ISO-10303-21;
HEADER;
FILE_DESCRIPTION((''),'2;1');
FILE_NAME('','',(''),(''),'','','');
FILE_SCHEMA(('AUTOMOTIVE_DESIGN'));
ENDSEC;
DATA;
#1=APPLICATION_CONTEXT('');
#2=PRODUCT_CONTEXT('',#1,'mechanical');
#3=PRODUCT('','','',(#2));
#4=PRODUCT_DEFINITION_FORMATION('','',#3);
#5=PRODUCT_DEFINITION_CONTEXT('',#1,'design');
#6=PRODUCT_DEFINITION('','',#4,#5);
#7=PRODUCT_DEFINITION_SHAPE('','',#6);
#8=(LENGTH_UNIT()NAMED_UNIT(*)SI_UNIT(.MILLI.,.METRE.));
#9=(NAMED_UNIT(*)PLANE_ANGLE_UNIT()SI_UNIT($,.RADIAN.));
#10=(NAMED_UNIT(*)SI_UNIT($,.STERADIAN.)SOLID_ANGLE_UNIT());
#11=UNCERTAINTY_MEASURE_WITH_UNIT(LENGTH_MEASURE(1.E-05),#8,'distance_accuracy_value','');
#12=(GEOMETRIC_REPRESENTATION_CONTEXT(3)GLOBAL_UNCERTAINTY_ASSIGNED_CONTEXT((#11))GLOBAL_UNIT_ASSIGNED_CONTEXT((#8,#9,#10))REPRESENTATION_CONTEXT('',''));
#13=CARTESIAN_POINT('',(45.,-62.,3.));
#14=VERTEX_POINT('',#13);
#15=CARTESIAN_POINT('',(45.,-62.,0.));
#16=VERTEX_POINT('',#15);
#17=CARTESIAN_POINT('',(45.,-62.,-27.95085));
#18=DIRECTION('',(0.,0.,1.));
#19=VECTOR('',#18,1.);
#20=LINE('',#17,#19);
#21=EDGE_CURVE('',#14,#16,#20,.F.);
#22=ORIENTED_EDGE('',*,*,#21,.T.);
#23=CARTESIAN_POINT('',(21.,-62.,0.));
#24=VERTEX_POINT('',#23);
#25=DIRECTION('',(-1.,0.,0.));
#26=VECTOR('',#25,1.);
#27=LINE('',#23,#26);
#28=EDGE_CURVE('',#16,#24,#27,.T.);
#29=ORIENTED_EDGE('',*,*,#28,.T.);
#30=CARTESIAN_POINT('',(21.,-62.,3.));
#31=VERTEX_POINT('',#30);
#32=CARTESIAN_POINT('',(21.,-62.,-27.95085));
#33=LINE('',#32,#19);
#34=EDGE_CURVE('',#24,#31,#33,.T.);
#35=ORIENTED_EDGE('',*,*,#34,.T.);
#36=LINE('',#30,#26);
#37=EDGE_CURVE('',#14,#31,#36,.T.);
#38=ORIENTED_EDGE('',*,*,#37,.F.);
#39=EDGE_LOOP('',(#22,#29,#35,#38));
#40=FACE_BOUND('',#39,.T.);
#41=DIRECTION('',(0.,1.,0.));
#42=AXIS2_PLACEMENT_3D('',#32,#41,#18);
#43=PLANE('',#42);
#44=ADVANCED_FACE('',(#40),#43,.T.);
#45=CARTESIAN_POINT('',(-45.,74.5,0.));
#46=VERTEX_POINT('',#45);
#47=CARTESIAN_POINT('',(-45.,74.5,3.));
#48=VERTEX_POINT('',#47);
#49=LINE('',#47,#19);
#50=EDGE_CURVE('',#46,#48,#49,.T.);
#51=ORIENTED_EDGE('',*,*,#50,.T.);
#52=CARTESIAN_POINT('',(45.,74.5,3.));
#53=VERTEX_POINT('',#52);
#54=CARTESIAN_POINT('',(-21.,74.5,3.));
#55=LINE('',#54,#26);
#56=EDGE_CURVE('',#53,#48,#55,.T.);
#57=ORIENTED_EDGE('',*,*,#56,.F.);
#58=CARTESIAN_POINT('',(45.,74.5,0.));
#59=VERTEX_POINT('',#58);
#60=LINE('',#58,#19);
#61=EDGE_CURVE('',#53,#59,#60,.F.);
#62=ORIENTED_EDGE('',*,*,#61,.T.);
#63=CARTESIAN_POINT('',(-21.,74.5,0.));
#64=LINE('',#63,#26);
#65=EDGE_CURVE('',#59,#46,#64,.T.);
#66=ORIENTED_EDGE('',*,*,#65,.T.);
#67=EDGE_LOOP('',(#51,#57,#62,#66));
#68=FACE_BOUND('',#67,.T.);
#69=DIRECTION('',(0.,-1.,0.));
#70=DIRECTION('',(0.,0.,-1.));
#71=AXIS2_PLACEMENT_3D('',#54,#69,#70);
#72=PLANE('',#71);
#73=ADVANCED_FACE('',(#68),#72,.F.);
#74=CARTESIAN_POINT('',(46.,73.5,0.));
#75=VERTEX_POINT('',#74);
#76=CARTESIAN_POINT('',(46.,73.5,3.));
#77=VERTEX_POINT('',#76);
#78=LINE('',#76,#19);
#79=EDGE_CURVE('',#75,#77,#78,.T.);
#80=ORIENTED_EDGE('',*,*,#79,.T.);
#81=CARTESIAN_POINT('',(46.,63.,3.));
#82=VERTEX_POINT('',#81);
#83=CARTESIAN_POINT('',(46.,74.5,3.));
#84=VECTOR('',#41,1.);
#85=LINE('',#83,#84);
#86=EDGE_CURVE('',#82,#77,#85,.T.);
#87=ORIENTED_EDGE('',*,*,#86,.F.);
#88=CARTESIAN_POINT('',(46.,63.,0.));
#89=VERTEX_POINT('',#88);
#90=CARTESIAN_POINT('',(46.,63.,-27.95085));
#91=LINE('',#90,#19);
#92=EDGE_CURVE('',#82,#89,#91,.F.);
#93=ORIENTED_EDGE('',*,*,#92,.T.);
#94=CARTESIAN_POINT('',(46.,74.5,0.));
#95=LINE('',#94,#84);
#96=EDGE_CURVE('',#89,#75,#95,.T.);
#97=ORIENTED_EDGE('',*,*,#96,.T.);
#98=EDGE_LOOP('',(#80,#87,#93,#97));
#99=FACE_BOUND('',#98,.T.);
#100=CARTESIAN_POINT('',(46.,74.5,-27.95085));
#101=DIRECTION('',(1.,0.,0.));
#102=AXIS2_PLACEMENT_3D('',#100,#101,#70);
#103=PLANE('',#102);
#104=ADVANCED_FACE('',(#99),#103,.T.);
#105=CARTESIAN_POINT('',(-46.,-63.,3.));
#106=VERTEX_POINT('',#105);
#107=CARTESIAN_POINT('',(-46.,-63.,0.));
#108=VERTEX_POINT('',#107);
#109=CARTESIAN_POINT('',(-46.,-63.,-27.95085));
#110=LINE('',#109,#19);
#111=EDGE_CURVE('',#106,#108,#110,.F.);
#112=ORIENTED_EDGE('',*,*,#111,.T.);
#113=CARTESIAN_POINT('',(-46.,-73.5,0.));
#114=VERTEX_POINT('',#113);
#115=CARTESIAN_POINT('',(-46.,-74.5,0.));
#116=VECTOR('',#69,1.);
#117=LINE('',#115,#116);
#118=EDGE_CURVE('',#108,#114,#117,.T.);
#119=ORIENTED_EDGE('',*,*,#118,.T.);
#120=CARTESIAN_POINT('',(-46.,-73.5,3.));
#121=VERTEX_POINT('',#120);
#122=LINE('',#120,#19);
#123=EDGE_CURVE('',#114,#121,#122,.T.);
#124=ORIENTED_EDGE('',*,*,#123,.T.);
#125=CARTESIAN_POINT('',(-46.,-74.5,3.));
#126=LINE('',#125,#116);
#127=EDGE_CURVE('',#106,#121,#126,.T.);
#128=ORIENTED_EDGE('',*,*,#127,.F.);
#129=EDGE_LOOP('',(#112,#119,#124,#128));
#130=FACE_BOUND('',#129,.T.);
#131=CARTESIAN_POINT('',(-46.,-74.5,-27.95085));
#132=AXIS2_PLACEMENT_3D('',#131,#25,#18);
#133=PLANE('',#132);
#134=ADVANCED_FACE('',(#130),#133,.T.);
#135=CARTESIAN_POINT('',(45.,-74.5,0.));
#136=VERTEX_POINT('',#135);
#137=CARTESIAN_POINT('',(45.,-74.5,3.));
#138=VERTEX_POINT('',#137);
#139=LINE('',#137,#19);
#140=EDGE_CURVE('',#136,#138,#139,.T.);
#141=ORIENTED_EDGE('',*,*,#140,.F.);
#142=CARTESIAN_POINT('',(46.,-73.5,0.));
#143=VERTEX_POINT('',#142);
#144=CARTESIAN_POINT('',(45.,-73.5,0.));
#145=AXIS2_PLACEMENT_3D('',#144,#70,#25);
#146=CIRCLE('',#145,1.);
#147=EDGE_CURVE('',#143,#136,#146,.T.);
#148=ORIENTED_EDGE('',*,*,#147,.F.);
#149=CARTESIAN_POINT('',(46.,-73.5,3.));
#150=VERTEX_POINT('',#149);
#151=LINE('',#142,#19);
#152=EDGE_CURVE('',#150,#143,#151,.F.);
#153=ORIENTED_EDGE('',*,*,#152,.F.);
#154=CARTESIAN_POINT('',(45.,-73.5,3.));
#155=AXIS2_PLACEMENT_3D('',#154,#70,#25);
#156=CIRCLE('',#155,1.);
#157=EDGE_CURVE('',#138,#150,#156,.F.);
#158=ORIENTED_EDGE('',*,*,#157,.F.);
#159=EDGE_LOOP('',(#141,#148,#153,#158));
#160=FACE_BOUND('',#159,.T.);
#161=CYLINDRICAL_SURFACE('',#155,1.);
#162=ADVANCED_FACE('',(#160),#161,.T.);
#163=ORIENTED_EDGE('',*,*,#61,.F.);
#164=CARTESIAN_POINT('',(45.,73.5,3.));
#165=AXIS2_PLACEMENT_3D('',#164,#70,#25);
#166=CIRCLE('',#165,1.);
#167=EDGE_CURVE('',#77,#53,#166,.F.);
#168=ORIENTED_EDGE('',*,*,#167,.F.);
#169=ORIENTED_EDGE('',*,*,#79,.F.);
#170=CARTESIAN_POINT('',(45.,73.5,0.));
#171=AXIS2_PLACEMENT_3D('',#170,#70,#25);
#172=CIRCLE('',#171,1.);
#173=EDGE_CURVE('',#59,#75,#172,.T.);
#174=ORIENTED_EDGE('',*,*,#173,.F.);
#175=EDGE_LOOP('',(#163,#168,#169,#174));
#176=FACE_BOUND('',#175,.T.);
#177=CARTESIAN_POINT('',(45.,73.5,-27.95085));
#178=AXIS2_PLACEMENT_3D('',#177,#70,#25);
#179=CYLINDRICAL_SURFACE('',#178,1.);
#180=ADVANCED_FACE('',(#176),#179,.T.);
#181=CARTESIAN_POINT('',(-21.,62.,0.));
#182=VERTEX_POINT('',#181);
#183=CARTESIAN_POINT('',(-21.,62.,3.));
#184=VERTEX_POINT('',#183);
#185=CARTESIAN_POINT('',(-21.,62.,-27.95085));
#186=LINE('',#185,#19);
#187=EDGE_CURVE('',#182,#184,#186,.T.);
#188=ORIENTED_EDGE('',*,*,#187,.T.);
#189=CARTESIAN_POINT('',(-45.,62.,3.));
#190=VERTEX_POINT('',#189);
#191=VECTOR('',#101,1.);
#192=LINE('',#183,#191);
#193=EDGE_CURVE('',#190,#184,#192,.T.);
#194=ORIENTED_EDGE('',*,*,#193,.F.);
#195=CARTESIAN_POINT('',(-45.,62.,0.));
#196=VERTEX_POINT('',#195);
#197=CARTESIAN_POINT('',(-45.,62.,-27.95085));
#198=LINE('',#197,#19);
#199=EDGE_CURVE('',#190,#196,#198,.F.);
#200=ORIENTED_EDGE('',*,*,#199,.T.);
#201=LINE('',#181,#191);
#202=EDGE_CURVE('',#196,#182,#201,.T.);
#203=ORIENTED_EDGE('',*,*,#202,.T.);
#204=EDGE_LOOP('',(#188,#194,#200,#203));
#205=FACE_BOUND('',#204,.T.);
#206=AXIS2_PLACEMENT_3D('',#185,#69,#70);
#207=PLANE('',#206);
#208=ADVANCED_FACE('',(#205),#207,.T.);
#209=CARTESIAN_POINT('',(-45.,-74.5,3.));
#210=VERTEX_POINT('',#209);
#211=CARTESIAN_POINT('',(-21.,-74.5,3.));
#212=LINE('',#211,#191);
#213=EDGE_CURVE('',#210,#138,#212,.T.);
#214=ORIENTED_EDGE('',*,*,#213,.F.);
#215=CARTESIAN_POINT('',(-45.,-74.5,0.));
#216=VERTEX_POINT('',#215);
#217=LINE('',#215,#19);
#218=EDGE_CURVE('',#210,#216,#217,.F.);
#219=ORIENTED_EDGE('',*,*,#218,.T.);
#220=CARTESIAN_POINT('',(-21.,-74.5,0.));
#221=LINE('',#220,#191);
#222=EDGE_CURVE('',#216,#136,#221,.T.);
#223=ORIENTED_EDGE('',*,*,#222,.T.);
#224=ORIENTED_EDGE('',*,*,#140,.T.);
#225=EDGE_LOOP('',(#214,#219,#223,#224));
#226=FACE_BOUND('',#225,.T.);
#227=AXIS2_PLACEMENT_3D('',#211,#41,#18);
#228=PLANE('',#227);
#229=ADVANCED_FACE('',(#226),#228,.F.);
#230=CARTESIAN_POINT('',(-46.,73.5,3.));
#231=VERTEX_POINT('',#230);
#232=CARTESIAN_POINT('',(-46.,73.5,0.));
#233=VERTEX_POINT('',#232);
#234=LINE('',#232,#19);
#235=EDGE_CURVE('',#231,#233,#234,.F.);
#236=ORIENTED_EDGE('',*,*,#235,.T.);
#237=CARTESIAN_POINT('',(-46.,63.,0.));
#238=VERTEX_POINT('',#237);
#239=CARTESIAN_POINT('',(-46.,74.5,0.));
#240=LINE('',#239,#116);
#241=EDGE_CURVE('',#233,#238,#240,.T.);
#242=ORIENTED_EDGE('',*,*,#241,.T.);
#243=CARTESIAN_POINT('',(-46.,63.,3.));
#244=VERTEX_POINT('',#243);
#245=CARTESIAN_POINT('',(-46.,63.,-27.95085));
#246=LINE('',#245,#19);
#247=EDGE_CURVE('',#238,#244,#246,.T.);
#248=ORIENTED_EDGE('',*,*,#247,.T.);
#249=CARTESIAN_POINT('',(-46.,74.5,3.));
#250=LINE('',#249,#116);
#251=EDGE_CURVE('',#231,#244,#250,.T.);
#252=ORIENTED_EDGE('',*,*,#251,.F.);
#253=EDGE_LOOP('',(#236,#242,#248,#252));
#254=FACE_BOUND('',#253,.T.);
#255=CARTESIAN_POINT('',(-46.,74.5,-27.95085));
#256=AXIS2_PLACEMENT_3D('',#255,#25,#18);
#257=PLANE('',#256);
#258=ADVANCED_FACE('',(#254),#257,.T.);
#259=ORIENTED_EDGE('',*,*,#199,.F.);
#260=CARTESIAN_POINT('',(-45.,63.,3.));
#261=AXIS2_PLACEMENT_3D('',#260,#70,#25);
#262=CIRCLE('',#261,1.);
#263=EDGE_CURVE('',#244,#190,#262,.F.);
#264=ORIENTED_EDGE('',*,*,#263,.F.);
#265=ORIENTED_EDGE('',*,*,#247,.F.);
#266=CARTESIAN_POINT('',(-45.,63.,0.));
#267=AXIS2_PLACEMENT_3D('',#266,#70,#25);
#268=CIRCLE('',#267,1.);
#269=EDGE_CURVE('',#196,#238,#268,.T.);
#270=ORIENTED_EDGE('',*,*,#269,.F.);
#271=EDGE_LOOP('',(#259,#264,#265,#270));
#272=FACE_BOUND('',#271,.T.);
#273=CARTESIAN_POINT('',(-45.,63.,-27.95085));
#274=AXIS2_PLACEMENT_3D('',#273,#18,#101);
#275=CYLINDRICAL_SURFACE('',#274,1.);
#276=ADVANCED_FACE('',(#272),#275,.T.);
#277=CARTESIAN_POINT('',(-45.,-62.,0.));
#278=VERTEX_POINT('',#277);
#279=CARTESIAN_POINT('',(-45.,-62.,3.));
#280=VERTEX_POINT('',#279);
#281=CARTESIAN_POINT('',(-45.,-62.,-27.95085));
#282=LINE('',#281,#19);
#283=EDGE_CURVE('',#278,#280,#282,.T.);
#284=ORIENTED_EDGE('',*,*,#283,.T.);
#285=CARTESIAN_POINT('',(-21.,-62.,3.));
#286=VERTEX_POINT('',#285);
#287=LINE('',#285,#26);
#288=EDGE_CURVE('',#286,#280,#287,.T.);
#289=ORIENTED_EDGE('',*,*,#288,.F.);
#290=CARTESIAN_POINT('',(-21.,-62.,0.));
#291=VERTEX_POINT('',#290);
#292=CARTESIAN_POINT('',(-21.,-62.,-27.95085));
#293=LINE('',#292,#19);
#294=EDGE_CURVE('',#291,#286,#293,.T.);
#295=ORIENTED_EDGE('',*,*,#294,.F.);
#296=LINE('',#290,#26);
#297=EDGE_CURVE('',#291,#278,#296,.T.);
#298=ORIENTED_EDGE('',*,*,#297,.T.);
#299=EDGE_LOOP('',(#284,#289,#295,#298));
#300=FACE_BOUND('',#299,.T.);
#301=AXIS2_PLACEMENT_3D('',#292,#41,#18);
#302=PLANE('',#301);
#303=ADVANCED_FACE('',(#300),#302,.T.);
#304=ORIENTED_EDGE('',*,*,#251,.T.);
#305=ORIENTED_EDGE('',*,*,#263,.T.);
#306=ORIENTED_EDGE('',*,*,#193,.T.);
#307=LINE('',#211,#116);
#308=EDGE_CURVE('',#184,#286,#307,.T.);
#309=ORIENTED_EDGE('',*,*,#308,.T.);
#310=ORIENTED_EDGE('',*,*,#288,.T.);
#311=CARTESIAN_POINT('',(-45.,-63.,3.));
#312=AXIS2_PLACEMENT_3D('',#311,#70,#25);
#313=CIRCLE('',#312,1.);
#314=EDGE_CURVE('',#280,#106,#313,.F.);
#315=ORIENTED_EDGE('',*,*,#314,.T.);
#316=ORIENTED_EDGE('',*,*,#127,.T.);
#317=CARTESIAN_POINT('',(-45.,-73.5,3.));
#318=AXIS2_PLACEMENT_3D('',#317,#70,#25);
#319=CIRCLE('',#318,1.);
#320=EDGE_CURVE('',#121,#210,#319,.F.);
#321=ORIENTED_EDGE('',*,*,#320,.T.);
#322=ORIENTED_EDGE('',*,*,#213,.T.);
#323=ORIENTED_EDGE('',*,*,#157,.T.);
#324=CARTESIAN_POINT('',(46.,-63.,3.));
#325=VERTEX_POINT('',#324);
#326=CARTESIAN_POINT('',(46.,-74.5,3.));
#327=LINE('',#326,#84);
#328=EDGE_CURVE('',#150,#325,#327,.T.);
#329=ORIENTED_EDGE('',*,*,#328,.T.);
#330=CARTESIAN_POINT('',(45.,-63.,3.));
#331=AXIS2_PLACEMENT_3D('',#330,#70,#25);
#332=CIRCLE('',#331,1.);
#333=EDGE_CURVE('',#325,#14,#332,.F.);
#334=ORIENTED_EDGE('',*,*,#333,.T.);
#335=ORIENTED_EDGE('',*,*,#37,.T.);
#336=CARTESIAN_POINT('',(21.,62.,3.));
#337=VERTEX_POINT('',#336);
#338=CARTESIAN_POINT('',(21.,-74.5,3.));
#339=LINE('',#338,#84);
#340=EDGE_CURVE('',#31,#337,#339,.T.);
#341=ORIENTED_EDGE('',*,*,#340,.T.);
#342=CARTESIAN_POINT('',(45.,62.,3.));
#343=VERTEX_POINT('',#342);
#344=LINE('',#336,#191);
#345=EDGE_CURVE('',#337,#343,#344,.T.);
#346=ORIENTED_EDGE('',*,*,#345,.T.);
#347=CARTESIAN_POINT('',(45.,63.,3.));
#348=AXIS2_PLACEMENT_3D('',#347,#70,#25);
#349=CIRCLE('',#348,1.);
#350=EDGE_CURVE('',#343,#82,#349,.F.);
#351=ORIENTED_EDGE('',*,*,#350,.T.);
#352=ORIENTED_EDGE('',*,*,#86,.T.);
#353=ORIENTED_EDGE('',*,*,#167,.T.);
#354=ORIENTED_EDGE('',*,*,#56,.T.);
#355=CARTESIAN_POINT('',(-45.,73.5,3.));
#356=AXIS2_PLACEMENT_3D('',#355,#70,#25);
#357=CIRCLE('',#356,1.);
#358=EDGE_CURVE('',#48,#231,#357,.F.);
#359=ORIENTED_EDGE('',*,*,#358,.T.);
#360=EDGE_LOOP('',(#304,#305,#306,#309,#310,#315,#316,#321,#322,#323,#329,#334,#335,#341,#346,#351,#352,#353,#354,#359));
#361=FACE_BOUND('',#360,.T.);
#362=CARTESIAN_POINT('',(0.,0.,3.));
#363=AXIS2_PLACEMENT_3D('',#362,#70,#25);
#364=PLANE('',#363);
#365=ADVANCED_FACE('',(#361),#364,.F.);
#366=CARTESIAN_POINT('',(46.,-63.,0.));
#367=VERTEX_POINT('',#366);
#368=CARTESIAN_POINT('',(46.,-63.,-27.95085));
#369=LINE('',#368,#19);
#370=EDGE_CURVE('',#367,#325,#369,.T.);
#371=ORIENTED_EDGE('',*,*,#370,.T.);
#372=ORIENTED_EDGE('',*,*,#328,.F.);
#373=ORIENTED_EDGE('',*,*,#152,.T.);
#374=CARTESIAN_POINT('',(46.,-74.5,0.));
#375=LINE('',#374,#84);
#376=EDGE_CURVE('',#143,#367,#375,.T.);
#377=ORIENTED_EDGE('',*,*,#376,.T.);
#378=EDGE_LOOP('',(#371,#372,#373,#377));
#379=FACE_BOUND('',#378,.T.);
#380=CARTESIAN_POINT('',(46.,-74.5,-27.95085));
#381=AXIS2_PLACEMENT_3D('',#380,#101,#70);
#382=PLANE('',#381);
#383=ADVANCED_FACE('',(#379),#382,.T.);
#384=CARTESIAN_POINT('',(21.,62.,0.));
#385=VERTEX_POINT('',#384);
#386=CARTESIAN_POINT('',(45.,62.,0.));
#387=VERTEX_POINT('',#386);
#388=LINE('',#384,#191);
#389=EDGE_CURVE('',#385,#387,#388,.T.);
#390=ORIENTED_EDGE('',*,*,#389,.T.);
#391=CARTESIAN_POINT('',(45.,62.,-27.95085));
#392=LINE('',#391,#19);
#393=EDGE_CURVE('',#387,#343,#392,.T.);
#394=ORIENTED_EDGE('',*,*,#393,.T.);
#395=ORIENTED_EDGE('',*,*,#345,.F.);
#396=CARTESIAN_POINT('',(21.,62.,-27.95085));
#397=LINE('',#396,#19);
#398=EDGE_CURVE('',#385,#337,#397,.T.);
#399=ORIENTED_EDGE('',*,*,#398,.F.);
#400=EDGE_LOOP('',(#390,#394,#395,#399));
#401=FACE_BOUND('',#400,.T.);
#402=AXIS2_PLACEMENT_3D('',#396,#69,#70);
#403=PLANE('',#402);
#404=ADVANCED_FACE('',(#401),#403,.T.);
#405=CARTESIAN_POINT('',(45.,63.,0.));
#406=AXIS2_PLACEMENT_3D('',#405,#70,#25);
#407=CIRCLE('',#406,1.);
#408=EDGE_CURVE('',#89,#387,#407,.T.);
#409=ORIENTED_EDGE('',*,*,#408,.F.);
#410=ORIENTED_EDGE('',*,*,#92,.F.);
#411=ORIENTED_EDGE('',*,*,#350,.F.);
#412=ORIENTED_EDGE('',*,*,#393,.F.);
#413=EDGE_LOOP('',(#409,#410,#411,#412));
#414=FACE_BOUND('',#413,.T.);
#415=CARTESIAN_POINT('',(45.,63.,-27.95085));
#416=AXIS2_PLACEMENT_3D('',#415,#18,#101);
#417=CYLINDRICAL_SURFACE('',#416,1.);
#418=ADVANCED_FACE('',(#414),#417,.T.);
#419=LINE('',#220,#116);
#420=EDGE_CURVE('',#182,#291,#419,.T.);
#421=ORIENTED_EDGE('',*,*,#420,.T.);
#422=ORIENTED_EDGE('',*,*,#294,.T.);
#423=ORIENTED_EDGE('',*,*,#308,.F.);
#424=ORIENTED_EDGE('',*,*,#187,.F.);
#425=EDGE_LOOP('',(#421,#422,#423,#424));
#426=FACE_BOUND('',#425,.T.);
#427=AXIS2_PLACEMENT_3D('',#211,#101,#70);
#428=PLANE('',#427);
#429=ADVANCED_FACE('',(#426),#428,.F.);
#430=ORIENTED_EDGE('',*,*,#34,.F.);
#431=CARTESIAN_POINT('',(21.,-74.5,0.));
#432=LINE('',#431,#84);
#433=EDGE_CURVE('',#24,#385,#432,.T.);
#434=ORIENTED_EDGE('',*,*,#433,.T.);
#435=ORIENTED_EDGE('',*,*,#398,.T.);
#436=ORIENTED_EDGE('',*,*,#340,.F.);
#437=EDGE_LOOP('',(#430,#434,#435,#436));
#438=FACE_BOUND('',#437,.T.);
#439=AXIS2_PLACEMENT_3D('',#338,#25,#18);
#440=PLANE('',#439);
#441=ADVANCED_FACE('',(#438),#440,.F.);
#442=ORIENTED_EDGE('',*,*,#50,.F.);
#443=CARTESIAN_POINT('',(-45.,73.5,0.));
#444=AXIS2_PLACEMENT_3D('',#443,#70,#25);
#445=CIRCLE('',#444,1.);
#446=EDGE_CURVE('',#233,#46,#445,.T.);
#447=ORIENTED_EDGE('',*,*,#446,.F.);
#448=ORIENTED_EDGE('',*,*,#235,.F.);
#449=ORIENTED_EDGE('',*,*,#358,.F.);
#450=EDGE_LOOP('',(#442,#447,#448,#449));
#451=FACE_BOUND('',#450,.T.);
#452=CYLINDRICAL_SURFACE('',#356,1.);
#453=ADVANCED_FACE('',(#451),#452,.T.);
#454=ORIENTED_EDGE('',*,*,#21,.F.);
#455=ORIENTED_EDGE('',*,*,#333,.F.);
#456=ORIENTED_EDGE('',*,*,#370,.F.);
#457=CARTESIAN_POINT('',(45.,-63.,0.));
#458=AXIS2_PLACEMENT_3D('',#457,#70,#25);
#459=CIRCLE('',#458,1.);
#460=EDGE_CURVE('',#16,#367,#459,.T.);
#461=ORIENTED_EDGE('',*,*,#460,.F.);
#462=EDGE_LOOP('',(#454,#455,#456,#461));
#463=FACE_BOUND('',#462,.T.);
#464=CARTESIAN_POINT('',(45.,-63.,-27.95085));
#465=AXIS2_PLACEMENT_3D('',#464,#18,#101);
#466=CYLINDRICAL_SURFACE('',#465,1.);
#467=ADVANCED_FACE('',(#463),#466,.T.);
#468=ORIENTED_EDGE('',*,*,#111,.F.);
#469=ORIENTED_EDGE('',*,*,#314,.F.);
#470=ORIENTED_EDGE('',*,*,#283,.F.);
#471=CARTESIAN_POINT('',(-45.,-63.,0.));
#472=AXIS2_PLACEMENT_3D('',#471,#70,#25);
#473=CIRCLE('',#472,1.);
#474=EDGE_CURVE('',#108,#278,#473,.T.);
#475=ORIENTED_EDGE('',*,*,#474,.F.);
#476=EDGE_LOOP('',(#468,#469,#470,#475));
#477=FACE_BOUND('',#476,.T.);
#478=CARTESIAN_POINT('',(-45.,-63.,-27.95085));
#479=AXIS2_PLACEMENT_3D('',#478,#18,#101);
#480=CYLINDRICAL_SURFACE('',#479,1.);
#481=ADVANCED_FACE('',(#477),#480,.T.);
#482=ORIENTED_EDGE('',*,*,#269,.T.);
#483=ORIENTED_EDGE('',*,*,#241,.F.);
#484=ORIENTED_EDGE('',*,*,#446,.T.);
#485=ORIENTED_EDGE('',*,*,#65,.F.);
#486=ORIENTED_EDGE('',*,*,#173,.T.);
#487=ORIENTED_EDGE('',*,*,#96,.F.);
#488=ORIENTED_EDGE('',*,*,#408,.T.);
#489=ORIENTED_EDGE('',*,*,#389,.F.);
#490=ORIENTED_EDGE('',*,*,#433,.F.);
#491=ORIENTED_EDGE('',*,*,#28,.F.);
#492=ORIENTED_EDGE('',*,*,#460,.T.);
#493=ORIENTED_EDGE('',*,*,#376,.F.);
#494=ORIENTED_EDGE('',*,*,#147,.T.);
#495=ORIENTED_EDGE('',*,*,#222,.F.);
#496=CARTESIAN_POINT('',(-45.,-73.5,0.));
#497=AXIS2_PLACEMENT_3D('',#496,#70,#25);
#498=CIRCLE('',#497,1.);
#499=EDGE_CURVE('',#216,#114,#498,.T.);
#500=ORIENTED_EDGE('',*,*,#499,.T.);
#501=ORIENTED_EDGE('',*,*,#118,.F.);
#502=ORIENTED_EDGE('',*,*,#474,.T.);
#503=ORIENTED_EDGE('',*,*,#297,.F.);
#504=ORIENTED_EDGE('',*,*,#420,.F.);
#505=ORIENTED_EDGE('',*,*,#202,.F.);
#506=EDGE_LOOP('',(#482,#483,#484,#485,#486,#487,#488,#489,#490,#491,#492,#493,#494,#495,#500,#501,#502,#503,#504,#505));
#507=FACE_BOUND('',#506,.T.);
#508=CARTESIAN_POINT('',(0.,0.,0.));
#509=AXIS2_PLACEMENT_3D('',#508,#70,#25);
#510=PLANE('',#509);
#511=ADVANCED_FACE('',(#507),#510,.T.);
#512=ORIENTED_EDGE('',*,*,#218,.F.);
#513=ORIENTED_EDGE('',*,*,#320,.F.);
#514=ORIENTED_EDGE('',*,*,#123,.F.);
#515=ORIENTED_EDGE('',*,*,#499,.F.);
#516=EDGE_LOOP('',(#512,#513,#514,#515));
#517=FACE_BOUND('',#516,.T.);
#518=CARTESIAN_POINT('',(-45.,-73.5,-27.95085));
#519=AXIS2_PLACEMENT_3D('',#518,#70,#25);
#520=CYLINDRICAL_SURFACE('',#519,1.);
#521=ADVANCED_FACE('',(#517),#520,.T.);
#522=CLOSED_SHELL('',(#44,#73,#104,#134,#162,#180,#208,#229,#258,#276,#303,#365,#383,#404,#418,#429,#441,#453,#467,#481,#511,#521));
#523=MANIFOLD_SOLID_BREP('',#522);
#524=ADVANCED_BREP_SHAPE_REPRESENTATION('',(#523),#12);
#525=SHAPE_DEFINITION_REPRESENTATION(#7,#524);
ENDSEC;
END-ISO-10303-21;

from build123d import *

# Parameters (mm, degrees)
SKETCH_1_W      = 42
SKETCH_1_H      = 149
EXTRUDE_1_DEPTH = 3
SKETCH_2_W      = 25
SKETCH_2_H      = 12.5
EXTRUDE_2_DEPTH = 3
FILLET_1_R      = 1


with BuildPart() as part:
    # 草图1 → 凸台-拉伸1 (new body)
    with BuildSketch(Plane.XY):
        Rectangle(SKETCH_1_W, SKETCH_1_H)
    extrude(amount=EXTRUDE_1_DEPTH)

    # 草图2 → 凸台-拉伸2 (add)
    with BuildSketch(Plane.XY.offset(3)):
        with Locations((33.5, -68.25)):
            Rectangle(SKETCH_2_W, SKETCH_2_H)
        with Locations((-33.5, -68.25)):
            Rectangle(SKETCH_2_W, SKETCH_2_H)
        with Locations((-33.5, 68.25)):
            Rectangle(SKETCH_2_W, SKETCH_2_H)
        with Locations((33.5, 68.25)):
            Rectangle(SKETCH_2_W, SKETCH_2_H)
    extrude(amount=-EXTRUDE_2_DEPTH)

    # 圆角1
    fillet_1_edges = [part.edges().sort_by_distance(p)[0] for p in [
        (46, -74.5, 1.5),
        (46, -62, 1.5),
        (-46, -62, 1.5),
        (-46, -74.5, 1.5),
        (-46, 74.5, 1.5),
        (-46, 62, 1.5),
        (46, 62, 1.5),
        (46, 74.5, 1.5),
    ]]
    fillet(fillet_1_edges, radius=FILLET_1_R)


solid = part.part
